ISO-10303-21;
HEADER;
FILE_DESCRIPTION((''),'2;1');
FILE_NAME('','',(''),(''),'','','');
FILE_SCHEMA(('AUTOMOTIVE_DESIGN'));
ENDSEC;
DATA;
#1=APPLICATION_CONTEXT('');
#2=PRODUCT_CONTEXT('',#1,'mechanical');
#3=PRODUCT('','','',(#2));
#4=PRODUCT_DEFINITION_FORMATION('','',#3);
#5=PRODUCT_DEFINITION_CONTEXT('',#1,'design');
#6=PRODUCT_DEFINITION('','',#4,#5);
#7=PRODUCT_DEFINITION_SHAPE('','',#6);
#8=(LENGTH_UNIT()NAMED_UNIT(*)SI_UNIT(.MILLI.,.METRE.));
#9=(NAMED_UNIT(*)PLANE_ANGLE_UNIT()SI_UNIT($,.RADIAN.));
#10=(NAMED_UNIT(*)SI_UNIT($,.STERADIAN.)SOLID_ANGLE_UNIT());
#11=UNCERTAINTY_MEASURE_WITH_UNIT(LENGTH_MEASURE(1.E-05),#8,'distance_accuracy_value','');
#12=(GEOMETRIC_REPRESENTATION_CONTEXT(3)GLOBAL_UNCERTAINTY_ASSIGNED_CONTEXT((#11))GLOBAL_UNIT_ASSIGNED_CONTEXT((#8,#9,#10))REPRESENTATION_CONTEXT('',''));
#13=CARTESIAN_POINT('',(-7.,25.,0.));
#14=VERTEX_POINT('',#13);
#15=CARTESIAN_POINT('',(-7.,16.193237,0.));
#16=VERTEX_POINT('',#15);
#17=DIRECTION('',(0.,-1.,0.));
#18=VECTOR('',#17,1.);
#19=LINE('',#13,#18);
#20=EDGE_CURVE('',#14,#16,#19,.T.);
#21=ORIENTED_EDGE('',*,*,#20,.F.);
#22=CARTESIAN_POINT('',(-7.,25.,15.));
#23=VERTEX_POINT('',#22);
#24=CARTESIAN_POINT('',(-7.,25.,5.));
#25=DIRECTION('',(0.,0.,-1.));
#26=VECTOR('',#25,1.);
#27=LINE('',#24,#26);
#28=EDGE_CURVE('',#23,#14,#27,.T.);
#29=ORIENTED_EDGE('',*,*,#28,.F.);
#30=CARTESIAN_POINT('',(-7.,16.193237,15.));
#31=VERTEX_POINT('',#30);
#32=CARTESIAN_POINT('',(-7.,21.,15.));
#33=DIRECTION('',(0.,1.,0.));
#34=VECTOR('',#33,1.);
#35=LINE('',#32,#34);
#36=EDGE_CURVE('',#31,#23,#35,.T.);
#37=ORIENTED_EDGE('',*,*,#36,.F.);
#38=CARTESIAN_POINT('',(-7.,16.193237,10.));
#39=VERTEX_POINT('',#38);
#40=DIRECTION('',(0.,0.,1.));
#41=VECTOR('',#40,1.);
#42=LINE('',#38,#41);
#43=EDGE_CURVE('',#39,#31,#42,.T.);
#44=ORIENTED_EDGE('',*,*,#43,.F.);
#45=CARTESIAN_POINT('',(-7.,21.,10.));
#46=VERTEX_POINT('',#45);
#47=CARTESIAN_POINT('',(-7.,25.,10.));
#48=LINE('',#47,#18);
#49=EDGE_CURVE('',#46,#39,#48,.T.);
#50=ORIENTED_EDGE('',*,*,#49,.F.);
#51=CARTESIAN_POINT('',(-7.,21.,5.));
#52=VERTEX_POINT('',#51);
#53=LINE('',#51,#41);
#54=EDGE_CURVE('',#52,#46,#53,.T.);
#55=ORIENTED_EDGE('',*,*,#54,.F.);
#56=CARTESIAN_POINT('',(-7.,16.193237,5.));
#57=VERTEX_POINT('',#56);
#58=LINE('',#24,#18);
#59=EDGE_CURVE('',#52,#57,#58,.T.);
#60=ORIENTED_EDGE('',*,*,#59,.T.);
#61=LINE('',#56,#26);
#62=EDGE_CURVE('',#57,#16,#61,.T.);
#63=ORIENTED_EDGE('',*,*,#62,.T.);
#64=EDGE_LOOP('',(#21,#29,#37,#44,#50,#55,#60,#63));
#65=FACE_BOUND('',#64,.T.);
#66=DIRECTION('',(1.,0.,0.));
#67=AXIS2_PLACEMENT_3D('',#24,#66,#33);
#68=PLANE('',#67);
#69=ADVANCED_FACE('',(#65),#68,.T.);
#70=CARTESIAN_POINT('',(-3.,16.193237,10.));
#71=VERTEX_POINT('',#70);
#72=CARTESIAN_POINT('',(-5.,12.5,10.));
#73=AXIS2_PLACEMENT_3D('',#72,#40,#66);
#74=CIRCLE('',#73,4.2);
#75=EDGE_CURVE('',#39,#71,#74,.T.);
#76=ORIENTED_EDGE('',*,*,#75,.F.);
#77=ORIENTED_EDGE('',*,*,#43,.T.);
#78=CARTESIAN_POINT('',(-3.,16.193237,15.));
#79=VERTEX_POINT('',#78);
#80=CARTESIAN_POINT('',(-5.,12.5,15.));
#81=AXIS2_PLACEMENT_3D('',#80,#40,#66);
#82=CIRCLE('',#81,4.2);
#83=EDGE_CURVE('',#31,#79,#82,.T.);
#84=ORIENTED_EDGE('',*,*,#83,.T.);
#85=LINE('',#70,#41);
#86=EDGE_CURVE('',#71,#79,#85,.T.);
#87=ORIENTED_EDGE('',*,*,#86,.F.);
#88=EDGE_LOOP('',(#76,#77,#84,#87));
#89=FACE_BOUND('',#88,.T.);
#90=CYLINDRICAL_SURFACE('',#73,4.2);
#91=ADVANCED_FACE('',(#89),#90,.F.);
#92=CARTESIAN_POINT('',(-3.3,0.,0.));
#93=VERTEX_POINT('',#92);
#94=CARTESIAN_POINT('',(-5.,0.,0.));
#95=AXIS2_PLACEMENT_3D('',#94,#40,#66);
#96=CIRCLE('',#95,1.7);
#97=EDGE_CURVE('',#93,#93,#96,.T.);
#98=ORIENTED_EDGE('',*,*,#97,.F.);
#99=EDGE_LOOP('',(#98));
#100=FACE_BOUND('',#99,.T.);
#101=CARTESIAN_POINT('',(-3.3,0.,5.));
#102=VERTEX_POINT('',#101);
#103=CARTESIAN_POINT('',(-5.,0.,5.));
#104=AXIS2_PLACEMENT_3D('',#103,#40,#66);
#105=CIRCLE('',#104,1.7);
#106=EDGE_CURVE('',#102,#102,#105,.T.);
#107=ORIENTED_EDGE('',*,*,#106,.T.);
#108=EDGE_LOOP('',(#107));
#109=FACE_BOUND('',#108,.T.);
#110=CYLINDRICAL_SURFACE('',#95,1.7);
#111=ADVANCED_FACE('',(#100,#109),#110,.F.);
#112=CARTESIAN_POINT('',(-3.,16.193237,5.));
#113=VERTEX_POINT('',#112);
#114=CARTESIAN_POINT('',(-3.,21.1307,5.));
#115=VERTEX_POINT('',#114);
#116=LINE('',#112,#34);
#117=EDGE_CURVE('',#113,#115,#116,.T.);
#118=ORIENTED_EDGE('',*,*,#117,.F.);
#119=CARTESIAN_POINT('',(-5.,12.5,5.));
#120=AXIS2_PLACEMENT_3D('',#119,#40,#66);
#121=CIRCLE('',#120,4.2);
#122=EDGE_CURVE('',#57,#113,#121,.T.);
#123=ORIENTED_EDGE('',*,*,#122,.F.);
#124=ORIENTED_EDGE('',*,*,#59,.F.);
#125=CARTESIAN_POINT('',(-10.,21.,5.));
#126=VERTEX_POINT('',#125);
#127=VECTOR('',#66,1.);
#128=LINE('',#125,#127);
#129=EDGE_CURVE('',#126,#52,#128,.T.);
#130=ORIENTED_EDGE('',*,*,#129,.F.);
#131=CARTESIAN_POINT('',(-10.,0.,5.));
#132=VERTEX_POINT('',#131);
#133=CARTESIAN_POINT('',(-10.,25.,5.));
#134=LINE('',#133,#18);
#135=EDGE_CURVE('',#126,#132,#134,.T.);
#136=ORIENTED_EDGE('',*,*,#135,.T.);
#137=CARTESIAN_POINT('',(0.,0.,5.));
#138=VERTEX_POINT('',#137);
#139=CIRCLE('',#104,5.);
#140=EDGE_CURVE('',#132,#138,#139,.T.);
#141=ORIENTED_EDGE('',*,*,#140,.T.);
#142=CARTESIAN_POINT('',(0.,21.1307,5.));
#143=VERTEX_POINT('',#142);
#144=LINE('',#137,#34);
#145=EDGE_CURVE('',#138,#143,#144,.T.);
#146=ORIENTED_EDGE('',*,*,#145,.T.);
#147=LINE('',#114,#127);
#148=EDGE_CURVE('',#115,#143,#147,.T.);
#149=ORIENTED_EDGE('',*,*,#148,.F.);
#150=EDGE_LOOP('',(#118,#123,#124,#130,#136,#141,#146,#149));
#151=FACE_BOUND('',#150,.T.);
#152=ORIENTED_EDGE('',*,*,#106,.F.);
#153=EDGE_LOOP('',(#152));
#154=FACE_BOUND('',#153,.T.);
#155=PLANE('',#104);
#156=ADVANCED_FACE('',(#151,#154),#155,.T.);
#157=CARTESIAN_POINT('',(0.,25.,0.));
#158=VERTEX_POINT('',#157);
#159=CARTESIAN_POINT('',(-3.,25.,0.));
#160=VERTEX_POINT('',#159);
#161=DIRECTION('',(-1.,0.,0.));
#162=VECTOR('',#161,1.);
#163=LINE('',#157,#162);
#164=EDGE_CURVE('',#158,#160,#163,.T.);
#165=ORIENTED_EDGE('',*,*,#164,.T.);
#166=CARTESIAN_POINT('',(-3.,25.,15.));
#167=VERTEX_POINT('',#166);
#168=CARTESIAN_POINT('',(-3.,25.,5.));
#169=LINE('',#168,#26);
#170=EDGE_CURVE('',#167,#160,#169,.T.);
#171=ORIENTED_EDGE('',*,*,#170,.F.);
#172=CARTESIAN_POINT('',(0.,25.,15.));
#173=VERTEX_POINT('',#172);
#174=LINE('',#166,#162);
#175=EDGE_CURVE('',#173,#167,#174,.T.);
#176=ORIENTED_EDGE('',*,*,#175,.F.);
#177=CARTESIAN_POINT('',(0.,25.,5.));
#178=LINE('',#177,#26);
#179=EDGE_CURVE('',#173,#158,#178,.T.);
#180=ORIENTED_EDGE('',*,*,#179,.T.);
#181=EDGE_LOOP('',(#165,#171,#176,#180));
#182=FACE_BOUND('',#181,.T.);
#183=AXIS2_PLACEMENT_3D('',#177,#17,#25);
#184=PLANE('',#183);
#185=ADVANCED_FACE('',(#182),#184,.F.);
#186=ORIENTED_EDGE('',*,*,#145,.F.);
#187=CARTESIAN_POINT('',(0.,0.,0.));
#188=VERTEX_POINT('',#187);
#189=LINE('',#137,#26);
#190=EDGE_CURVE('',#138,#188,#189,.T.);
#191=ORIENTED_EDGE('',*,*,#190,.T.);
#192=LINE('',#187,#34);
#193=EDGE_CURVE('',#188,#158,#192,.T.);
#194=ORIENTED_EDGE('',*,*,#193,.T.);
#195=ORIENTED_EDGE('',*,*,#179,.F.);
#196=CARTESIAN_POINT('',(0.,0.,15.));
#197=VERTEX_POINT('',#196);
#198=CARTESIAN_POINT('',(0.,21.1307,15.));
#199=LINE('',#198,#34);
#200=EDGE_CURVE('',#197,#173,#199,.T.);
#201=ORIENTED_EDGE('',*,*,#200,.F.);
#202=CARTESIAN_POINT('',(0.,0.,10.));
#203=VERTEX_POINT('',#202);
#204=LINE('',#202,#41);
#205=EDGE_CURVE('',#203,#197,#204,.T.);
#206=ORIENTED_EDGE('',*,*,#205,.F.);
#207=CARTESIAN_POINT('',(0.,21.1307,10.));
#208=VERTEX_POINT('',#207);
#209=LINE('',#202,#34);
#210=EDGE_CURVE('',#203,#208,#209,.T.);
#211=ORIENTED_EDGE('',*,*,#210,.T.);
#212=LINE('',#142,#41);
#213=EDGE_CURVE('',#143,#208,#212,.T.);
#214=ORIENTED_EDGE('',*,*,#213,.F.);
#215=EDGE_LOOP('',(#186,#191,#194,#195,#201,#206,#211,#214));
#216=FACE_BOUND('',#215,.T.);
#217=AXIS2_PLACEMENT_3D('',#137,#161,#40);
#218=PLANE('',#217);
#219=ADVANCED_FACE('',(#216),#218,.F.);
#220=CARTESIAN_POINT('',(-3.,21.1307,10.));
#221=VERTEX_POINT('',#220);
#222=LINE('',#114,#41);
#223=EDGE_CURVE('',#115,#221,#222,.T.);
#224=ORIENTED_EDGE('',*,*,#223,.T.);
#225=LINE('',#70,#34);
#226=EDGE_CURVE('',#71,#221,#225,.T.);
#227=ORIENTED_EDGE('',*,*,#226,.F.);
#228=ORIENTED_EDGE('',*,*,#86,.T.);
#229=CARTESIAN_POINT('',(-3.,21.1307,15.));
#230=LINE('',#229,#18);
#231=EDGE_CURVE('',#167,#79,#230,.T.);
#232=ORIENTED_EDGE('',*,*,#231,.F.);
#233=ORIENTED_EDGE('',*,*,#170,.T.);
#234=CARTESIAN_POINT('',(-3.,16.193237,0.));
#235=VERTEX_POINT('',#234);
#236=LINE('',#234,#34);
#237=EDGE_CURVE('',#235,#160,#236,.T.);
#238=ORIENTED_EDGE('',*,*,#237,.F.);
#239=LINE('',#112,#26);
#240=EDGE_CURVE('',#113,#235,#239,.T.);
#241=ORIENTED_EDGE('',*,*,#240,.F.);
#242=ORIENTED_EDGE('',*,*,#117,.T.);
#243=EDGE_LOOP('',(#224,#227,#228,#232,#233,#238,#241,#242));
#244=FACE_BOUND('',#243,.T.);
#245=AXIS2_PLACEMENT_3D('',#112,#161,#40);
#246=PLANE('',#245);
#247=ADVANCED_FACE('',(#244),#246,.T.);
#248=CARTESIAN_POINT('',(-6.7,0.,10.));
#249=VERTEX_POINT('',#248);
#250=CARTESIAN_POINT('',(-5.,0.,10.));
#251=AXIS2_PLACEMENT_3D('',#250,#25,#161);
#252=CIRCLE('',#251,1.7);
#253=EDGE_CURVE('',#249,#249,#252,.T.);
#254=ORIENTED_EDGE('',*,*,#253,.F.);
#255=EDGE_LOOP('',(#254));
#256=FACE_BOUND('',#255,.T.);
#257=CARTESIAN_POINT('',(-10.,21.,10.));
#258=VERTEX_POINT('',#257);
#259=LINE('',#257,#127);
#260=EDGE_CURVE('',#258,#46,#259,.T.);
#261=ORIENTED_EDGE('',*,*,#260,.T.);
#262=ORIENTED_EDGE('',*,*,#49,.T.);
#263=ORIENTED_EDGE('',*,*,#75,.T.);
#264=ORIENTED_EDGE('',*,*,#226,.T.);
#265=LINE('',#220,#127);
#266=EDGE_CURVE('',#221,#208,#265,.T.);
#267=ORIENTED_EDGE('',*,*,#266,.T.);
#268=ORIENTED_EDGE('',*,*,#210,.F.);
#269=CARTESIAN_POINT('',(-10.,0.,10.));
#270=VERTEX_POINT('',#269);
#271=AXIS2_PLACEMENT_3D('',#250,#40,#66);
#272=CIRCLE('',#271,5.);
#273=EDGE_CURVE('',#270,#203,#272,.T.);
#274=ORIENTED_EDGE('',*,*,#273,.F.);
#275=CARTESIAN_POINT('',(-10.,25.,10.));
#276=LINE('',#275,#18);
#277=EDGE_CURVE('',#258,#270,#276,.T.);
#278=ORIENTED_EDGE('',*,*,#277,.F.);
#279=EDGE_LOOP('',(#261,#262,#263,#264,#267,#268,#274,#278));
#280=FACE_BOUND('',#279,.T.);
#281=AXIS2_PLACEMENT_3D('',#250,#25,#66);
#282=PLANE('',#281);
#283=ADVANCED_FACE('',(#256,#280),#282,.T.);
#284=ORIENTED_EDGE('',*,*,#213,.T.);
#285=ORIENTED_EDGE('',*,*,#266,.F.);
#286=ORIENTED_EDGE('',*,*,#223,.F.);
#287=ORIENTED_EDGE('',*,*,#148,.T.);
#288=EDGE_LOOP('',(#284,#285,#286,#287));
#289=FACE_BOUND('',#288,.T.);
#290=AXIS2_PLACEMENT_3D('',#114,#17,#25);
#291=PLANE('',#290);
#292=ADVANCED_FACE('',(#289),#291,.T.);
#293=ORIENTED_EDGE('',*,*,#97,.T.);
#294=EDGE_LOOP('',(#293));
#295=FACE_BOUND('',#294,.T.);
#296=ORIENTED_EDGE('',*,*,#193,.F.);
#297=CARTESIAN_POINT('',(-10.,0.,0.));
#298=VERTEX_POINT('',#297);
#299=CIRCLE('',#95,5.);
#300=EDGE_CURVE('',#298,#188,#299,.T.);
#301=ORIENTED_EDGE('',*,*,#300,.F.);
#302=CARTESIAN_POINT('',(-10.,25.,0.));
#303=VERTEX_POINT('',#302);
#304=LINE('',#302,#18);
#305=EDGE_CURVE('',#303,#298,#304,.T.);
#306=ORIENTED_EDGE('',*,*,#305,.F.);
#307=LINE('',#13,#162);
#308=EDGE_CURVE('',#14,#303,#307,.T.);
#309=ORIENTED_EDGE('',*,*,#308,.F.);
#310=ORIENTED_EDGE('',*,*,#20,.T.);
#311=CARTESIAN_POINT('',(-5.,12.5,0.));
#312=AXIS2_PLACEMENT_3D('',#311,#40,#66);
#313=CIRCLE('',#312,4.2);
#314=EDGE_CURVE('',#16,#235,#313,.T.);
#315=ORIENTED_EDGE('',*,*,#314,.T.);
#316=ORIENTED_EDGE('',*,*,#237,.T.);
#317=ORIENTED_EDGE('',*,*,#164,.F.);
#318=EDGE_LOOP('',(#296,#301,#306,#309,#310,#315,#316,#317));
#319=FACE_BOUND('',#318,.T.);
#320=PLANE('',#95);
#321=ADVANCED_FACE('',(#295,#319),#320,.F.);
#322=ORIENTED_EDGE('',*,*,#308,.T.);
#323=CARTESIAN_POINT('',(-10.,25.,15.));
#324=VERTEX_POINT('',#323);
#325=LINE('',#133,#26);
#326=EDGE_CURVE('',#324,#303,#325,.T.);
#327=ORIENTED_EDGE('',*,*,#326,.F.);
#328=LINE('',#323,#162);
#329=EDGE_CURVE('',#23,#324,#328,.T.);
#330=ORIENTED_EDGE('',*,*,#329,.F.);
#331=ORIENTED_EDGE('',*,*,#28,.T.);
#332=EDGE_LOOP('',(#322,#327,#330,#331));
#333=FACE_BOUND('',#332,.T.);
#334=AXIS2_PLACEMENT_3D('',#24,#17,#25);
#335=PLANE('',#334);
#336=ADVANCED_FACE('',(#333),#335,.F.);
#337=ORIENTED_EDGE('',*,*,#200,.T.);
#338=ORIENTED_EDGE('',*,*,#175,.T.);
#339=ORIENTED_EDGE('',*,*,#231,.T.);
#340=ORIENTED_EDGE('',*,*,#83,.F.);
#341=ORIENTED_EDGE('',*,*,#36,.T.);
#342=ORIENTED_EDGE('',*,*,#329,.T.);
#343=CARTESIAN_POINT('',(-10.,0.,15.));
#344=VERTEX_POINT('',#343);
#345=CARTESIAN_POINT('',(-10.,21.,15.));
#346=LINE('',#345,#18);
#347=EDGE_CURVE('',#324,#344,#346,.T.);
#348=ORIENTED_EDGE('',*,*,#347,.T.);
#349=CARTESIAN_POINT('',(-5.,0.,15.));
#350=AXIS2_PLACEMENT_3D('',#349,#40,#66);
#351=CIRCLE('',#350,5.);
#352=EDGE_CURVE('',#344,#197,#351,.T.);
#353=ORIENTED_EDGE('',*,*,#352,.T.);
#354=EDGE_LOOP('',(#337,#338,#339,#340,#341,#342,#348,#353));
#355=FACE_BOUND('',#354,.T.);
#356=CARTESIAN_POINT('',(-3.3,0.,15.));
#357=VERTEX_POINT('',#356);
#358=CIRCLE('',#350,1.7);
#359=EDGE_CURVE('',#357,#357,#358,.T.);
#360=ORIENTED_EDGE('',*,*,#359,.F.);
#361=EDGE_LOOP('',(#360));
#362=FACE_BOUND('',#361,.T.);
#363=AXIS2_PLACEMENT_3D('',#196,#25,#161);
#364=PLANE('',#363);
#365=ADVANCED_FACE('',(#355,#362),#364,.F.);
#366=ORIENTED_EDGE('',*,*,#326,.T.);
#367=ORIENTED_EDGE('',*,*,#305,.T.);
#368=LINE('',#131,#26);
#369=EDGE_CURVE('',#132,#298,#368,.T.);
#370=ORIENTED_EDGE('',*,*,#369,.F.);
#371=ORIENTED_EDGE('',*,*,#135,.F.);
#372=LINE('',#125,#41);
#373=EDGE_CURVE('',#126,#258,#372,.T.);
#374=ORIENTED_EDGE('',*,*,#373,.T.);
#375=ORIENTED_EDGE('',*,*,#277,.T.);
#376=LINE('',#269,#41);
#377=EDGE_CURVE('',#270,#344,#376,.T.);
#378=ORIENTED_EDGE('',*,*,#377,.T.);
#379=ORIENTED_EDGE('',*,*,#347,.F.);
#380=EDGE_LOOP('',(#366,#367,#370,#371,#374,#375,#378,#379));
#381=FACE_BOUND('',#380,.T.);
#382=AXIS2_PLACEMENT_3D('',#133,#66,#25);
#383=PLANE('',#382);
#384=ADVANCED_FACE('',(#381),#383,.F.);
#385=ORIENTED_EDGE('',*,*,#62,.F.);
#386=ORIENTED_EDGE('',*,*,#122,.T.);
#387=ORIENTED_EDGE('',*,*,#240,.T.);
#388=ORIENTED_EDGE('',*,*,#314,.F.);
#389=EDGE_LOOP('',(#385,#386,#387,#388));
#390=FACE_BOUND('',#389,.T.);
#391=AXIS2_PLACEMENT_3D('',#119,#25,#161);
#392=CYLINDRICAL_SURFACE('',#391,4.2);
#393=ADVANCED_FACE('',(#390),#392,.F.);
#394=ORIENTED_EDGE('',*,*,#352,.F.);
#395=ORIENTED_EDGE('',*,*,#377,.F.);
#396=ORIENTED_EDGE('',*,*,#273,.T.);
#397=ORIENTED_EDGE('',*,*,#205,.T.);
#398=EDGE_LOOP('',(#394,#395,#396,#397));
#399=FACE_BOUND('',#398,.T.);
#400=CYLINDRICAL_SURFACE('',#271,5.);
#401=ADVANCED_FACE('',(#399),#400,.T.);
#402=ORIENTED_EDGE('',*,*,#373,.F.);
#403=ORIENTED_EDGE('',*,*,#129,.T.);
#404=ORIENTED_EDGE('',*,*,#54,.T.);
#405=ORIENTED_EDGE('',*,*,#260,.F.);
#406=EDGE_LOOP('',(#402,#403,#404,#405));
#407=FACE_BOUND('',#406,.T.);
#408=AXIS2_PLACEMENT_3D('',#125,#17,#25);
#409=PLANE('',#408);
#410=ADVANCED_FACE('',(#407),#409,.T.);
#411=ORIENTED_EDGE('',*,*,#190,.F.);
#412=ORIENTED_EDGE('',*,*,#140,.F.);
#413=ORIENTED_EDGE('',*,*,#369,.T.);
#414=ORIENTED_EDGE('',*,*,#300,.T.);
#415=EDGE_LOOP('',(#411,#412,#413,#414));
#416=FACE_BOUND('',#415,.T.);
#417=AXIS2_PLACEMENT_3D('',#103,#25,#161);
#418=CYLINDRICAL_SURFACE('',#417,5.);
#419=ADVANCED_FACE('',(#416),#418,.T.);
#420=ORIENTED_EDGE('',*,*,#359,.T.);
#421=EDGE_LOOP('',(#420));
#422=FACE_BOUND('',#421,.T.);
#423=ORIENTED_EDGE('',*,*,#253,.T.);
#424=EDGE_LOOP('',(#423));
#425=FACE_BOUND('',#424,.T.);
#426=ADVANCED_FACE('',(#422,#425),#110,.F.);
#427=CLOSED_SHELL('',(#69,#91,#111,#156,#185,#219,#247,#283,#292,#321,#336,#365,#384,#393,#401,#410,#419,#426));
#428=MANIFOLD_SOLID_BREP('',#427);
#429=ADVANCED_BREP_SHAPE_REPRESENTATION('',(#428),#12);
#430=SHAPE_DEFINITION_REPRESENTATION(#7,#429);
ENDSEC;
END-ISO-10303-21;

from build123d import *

# Parameters (mm, degrees)
BOSS_EXTRUDE1_DEPTH = 5
SKETCH2_R           = 1.7
CUT_EXTRUDE1_DEPTH  = 28.386127875
SKETCH5_W           = 3
SKETCH5_H           = 4
SKETCH5_H_2         = 3.869300193
BOSS_EXTRUDE2_DEPTH = 10
SKETCH7_R           = 1.7
CUT_EXTRUDE2_DEPTH  = 31.822070015


with BuildPart() as part:
    # Sketch1 → Boss-Extrude1 (new body)
    with BuildSketch(Plane(origin=(0, 0, 0), x_dir=(0, 1, 0), z_dir=(0, 0, 1))):
        with BuildLine():
            Line((0, 0), (25, 0))
            Line((25, 0), (25, 3))
            Line((25, 3), (16.193237063, 3))
            ThreePointArc((16.193237063, 3), (8.3, 5), (16.193237063, 7))
            Line((16.193237063, 7), (25, 7))
            Line((25, 7), (25, 10))
            Line((25, 10), (0, 10))
            ThreePointArc((0, 10), (-5, 5), (0, 0))
        make_face()
    boss_extrude1 = extrude(amount=BOSS_EXTRUDE1_DEPTH)

    # Sketch2 → Cut-Extrude1 (cut, through all)
    with BuildSketch(Plane.XY.offset(5)):
        with Locations((-5, 0)):
            Circle(SKETCH2_R)
    extrude(amount=-CUT_EXTRUDE1_DEPTH, mode=Mode.SUBTRACT)

    # Sketch5 → Boss-Extrude2 (add)
    with BuildSketch(Plane.XY.offset(15)):
        with Locations((-8.5, 23)):
            Rectangle(SKETCH5_W, SKETCH5_H)
        with Locations((-1.5, 23.065349903)):
            Rectangle(SKETCH5_W, SKETCH5_H_2)
    extrude(amount=-BOSS_EXTRUDE2_DEPTH)

    # Mirror2: Boss-Extrude1 across plane
    add(boss_extrude1.mirror(Plane.XY.offset(7.5)))

    # Sketch7 → Cut-Extrude2 (cut, through all)
    with BuildSketch(Plane.XY.offset(15)):
        with Locations((-5, 0)):
            Circle(SKETCH7_R)
    extrude(amount=-CUT_EXTRUDE2_DEPTH, mode=Mode.SUBTRACT)


solid = part.part
